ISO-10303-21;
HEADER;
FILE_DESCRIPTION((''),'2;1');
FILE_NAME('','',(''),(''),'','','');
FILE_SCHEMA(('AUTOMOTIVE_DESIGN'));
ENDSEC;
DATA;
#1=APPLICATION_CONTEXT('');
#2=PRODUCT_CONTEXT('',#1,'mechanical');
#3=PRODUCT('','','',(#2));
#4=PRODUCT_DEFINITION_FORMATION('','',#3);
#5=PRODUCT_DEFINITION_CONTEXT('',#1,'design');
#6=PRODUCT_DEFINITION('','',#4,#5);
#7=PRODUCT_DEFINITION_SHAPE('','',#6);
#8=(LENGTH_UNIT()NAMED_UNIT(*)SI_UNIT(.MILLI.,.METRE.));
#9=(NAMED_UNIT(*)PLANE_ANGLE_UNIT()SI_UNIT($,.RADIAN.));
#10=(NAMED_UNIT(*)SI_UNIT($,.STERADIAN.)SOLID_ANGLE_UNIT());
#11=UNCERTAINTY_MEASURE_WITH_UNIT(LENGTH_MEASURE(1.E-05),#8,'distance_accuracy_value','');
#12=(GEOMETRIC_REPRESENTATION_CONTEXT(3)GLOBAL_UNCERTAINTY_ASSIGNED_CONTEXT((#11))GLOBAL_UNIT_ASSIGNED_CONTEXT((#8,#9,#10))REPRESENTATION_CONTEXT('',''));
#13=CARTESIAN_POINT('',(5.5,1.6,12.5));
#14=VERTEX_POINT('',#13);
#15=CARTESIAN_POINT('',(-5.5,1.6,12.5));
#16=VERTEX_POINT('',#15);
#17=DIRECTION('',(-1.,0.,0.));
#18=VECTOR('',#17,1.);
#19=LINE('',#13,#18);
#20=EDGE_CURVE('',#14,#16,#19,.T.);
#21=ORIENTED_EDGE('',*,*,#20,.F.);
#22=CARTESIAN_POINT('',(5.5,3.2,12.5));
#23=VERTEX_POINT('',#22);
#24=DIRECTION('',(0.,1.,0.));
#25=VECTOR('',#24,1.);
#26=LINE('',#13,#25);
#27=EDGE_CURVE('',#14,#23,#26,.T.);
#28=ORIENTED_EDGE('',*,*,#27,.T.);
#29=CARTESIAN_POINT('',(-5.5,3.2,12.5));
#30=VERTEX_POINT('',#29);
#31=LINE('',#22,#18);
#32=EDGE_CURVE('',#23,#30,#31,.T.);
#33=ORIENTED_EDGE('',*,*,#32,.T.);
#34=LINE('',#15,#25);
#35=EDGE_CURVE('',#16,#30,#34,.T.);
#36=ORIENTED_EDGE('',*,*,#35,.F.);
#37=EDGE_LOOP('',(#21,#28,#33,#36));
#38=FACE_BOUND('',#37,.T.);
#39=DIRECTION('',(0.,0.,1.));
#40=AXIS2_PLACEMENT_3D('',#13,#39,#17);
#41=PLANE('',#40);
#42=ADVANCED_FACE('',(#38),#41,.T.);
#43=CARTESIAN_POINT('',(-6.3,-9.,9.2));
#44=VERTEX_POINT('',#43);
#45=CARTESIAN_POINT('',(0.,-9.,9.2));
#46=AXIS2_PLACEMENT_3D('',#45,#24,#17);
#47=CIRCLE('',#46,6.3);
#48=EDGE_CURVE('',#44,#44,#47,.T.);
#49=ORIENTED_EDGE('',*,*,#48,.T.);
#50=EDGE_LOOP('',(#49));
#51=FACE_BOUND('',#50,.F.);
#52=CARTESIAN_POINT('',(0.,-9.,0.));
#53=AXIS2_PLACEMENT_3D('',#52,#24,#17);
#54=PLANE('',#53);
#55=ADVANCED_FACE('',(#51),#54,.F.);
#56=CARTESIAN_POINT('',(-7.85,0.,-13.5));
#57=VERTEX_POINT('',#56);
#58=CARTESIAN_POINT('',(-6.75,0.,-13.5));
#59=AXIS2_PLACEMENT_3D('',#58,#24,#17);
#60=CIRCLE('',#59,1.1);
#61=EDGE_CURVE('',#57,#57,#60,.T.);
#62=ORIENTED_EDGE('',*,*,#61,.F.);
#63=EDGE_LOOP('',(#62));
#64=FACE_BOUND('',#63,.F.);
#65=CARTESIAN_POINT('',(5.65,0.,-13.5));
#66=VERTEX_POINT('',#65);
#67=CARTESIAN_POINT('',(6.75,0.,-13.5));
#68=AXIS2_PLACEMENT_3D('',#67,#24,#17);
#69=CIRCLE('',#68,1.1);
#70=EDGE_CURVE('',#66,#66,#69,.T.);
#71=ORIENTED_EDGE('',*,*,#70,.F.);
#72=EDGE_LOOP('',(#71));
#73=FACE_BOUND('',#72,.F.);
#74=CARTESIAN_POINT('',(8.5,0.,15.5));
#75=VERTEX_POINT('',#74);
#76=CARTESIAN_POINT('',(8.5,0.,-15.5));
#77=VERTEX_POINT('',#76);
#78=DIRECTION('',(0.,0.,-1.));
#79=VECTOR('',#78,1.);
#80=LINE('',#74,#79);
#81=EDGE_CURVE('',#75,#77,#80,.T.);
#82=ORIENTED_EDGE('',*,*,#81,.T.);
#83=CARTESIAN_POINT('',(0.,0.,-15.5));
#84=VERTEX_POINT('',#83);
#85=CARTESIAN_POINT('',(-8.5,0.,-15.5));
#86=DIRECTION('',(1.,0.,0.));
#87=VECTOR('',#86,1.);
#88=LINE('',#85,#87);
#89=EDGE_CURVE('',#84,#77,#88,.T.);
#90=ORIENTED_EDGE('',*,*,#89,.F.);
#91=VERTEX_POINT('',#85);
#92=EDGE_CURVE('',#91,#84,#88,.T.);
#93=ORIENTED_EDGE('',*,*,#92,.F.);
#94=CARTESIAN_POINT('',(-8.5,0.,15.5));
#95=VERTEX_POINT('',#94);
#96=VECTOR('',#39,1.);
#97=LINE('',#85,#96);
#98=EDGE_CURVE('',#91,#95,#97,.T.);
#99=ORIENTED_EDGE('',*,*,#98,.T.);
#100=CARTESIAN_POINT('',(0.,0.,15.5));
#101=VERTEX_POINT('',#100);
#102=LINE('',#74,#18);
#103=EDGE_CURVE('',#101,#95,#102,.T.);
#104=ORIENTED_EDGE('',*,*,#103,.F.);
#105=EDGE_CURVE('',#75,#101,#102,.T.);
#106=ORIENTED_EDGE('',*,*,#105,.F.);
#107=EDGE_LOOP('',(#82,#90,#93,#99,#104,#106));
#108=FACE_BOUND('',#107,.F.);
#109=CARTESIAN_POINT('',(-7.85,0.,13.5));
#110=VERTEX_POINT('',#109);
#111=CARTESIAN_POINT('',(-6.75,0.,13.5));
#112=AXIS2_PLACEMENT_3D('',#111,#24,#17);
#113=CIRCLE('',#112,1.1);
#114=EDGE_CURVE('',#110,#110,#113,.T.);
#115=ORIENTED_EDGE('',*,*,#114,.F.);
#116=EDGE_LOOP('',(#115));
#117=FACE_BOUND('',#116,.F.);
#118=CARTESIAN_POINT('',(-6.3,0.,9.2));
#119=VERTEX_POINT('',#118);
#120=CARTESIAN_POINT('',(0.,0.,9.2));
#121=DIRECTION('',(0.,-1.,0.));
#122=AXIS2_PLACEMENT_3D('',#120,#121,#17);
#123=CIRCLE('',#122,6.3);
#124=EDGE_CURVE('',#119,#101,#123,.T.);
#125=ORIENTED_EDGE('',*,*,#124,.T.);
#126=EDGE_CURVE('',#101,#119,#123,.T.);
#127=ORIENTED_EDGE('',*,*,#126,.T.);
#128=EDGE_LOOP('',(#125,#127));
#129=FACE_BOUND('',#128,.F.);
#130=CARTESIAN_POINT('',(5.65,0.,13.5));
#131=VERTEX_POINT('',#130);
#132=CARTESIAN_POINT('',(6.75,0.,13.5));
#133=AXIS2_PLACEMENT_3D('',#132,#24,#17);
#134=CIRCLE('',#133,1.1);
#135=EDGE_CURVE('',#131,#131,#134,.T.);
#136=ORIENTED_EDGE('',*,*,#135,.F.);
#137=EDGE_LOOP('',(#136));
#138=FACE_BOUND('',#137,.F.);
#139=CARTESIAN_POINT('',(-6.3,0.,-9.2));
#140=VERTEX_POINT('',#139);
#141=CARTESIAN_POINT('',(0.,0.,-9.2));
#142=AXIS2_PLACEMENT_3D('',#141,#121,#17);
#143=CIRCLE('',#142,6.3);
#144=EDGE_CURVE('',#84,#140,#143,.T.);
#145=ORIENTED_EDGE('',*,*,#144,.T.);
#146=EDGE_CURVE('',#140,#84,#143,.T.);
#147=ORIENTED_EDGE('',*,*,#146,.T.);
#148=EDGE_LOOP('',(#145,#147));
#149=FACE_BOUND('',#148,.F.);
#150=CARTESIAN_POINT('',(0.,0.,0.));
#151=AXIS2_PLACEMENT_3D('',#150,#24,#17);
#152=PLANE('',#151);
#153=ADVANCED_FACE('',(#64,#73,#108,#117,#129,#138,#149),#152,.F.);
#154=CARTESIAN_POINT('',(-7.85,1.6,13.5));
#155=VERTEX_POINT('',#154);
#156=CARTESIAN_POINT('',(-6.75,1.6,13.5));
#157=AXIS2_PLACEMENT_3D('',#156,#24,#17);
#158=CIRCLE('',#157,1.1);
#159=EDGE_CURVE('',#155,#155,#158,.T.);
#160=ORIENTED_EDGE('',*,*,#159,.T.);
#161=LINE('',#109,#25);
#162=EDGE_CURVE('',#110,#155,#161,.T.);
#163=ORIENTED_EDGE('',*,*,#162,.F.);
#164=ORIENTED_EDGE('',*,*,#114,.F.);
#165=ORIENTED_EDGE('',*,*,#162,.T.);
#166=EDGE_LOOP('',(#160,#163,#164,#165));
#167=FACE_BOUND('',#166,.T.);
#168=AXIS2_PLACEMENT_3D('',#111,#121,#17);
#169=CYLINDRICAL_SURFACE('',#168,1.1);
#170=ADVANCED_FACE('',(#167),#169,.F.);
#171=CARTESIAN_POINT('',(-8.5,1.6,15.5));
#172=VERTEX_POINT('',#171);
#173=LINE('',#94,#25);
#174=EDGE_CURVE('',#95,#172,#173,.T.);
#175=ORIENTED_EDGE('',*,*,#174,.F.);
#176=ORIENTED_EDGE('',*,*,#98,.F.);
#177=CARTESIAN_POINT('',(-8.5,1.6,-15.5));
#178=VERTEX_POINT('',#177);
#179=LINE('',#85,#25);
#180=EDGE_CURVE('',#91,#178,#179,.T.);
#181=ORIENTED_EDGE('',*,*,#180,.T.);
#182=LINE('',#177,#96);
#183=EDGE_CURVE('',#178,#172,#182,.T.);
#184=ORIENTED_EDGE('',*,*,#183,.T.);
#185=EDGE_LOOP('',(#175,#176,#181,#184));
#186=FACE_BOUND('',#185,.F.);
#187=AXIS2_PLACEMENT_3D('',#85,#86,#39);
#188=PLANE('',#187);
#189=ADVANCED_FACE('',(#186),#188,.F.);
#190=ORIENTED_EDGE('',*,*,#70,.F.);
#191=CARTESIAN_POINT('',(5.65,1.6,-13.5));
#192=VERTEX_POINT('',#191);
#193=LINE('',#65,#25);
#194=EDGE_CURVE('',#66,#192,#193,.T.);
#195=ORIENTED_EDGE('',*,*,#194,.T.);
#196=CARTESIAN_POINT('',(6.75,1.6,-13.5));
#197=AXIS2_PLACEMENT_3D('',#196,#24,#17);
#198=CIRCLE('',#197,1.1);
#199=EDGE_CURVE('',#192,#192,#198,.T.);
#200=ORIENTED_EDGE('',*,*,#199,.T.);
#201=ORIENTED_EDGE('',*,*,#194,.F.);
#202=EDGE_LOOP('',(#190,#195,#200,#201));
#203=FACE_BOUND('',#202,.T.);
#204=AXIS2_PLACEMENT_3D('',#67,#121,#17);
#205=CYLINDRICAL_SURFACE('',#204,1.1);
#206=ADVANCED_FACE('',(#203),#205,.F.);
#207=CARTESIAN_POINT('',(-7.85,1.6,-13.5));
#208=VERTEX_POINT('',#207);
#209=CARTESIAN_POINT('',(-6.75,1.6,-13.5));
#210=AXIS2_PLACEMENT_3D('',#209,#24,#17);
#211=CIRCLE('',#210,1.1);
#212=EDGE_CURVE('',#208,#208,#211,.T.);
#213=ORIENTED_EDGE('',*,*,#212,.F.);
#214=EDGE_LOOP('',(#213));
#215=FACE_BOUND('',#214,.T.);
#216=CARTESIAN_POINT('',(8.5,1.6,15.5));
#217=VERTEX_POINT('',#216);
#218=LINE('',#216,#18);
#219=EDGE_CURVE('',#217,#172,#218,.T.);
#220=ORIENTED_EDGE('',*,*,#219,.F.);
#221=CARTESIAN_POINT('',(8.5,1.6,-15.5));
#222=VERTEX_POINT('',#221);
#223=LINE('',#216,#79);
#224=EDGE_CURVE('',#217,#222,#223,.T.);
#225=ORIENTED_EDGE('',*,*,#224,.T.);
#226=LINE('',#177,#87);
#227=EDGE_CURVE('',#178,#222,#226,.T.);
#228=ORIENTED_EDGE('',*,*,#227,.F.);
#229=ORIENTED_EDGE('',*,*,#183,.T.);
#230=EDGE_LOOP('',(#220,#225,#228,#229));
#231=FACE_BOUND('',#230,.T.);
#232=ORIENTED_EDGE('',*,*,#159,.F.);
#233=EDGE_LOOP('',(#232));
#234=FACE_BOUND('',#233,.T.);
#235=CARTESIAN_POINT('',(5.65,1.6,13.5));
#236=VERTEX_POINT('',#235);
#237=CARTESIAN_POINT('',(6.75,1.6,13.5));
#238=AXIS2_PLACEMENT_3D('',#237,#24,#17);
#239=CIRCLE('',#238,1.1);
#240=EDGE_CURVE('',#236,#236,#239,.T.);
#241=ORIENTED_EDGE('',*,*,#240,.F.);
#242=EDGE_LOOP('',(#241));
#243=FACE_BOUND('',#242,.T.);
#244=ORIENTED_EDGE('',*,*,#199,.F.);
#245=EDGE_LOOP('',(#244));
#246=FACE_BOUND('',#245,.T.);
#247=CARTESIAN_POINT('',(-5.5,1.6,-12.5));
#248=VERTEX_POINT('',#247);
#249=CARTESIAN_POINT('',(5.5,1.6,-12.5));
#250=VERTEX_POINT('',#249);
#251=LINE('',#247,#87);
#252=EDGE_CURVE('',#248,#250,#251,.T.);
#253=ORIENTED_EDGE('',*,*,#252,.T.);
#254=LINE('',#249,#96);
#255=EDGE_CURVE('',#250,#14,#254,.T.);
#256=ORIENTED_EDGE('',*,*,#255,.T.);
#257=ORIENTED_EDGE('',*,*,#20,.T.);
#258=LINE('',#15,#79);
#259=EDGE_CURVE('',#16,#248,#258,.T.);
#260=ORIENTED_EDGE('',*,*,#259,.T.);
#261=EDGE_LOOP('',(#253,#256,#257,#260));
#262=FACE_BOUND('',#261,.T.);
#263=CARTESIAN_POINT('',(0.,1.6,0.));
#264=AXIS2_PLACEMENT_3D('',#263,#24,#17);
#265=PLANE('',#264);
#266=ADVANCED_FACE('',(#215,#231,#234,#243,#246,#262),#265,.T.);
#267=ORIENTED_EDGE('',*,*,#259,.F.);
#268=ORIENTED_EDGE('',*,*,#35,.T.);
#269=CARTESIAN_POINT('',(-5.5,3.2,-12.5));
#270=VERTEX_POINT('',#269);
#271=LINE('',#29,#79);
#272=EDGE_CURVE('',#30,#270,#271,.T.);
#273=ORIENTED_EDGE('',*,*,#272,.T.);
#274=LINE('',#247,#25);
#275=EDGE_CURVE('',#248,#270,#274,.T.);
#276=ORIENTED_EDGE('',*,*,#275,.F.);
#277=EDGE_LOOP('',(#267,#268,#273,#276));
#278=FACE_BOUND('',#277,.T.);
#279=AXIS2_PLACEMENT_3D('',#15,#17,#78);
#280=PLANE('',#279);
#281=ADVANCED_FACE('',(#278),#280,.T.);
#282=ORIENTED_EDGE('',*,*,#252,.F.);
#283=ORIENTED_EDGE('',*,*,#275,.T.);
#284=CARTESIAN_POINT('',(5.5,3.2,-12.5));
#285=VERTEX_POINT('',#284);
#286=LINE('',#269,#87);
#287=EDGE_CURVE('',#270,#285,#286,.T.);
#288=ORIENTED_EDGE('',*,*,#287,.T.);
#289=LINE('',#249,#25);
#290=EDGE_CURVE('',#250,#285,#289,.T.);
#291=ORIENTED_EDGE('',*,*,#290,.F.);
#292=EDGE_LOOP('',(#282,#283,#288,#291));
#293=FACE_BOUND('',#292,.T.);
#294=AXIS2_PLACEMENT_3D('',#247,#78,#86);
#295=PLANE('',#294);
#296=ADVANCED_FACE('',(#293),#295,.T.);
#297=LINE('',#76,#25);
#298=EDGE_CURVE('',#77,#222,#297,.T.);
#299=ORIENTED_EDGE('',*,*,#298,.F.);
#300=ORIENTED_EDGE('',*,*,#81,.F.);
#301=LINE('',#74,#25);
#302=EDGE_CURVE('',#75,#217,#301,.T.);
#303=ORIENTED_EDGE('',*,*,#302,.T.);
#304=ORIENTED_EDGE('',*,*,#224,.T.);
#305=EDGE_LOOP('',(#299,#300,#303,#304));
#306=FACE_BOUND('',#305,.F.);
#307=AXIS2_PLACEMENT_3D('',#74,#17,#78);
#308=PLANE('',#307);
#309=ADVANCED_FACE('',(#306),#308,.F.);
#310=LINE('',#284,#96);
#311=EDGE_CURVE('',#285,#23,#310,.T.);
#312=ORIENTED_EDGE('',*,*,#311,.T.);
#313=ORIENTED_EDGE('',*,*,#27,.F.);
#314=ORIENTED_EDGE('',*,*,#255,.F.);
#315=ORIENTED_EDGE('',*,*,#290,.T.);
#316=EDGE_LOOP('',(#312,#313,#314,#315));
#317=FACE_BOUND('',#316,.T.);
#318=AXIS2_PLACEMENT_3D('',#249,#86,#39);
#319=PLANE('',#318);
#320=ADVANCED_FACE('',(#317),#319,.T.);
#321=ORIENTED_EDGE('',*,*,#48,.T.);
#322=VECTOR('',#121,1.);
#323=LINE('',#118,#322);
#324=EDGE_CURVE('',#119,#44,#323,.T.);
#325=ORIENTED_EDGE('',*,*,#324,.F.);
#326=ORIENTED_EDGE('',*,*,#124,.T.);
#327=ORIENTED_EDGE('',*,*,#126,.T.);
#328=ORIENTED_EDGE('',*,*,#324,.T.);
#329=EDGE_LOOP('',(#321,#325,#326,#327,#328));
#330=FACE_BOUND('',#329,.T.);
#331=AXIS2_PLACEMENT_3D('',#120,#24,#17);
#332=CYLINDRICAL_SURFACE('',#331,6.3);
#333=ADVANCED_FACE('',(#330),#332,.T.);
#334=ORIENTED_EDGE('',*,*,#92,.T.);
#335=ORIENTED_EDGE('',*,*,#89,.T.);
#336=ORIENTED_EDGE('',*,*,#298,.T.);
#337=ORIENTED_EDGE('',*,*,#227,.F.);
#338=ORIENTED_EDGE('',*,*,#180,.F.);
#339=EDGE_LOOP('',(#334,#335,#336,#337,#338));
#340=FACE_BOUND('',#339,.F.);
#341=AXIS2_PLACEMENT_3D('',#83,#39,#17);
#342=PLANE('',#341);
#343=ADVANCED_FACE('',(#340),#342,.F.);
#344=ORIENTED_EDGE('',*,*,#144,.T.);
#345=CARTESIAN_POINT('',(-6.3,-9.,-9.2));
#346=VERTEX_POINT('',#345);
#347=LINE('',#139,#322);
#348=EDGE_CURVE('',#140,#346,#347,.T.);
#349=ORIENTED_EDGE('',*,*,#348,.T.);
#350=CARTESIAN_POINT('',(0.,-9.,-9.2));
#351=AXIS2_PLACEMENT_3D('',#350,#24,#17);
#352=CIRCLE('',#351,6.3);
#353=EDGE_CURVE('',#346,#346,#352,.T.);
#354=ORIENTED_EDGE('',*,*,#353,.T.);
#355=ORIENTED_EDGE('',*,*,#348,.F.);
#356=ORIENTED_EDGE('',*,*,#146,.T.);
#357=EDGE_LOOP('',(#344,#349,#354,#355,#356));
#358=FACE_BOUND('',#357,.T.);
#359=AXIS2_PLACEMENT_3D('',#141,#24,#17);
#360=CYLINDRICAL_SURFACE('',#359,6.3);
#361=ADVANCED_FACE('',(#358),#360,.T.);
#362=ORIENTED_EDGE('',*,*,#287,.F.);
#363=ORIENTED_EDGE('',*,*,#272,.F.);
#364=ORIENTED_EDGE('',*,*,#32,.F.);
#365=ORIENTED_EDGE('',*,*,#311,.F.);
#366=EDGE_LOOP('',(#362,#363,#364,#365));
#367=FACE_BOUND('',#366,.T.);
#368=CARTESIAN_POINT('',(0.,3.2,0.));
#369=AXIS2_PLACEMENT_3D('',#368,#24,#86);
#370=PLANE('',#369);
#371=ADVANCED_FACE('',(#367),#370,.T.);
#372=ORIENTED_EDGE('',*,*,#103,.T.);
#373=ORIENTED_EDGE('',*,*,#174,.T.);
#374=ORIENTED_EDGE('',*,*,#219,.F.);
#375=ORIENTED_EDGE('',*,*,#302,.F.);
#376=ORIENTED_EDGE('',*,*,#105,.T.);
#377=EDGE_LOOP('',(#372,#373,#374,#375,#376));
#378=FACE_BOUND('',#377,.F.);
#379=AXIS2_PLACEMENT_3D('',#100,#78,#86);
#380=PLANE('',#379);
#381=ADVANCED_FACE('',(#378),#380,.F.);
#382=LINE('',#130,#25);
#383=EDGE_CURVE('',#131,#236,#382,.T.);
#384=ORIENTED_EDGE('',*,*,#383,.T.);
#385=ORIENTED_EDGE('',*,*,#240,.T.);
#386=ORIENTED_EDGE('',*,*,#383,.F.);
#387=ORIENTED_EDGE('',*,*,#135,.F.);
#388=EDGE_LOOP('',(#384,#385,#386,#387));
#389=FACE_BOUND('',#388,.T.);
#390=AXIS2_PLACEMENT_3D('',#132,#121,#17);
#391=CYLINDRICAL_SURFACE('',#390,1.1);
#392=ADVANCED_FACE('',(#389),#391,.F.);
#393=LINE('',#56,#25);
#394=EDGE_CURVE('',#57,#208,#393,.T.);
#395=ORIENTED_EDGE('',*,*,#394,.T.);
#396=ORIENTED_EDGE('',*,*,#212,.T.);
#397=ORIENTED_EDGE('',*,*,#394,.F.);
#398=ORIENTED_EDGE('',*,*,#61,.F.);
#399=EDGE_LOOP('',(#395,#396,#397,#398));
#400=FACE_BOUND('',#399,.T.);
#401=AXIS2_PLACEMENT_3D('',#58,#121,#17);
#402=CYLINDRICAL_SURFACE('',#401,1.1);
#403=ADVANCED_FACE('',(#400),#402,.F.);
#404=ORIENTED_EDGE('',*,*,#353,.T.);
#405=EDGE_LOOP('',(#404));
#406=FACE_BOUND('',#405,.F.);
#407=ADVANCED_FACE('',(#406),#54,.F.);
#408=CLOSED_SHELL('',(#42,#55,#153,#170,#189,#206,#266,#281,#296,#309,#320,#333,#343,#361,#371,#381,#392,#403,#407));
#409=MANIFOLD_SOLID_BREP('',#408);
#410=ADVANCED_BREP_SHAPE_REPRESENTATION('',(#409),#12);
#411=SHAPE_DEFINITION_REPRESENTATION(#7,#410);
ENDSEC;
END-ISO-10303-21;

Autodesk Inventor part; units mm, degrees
ref_plane "YZ Plane" through (0, 0, 0) normal (1, 0, 0) x (0, 1, 0)
ref_plane "XZ Plane" through (0, 0, 0) normal (0, 1, 0) x (-1, 0, 0)
ref_plane "XY Plane" through (0, 0, 0) normal (0, 0, 1) x (1, 0, 0)
sketch "スケッチ1" plane through (0, 0, 0) normal (0, 1, 0) x (-1, 0, 0)
  line L0 (8.5, 15.5) -> (-8.5, 15.5)
  line L1 (-8.5, 15.5) -> (-8.5, -15.5)
  line L2 (-8.5, -15.5) -> (8.5, -15.5)
  line L3 (8.5, -15.5) -> (8.5, 15.5)
  circle A0 centre (0, 9.2) radius 6.3
  circle A1 centre (0, -9.2) radius 6.3
  circle A2 centre (6.75, -13.5) radius 1.1
  line L4 (6.75, -13.5) -> (-6.75, -13.5) construction
  line L5 (-6.75, -13.5) -> (-6.75, 13.5) construction
  line L6 (-6.75, 13.5) -> (6.75, 13.5) construction
  line L7 (6.75, 13.5) -> (6.75, -13.5) construction
  circle A3 centre (-6.75, -13.5) radius 1.1
  circle A4 centre (6.75, 13.5) radius 1.1
  circle A5 centre (-6.75, 13.5) radius 1.1
  point P0 (0, 0)
  point P1 (0, 15.5)
  point P2 (8.5, 0)
  point P3 (6.75, 0)
  point P4 (0, 13.5)
  dimension "d0" = 17
  dimension "d1" = 31
  dimension "d2" = 12.6
  dimension "d10" = 2.2
  dimension "d11" = 27
  dimension "d12" = 13.5
  dimension "d13" = 2.2
  dimension "d14" = 2.2
  dimension "d15" = 2.2
  dimension "d16" = 9.2
extrude "押し出し1" add sketch "スケッチ1" along normal blind 1.6 contours A0 | A1 | L3 L2 L1 L0
extrude "押し出し2" add sketch "スケッチ1" against normal blind 9 contours A0 | A1
sketch "スケッチ2" plane through (0, 1.6, 0) normal (0, 1, 0) x (1, 0, 0)
  line L0 (8.5, 15.5) -> (-8.5, 15.5) projected
  line L1 (-8.5, 15.5) -> (-8.5, -15.5) projected
  line L2 (-8.5, -15.5) -> (8.5, -15.5) projected
  line L3 (8.5, -15.5) -> (8.5, 15.5) projected
  line L4 (-5.5, -12.5) -> (-5.5, 12.5)
  line L5 (-5.5, 12.5) -> (5.5, 12.5)
  line L6 (5.5, 12.5) -> (5.5, -12.5)
  line L7 (5.5, -12.5) -> (-5.5, -12.5)
  point P0 (0, 0)
  dimension "d7" = 3
extrude "押し出し3" add sketch "スケッチ2" along normal blind 1.6 contours L4 L5 L6 L7
properties part number "UltrasonicSensor"
